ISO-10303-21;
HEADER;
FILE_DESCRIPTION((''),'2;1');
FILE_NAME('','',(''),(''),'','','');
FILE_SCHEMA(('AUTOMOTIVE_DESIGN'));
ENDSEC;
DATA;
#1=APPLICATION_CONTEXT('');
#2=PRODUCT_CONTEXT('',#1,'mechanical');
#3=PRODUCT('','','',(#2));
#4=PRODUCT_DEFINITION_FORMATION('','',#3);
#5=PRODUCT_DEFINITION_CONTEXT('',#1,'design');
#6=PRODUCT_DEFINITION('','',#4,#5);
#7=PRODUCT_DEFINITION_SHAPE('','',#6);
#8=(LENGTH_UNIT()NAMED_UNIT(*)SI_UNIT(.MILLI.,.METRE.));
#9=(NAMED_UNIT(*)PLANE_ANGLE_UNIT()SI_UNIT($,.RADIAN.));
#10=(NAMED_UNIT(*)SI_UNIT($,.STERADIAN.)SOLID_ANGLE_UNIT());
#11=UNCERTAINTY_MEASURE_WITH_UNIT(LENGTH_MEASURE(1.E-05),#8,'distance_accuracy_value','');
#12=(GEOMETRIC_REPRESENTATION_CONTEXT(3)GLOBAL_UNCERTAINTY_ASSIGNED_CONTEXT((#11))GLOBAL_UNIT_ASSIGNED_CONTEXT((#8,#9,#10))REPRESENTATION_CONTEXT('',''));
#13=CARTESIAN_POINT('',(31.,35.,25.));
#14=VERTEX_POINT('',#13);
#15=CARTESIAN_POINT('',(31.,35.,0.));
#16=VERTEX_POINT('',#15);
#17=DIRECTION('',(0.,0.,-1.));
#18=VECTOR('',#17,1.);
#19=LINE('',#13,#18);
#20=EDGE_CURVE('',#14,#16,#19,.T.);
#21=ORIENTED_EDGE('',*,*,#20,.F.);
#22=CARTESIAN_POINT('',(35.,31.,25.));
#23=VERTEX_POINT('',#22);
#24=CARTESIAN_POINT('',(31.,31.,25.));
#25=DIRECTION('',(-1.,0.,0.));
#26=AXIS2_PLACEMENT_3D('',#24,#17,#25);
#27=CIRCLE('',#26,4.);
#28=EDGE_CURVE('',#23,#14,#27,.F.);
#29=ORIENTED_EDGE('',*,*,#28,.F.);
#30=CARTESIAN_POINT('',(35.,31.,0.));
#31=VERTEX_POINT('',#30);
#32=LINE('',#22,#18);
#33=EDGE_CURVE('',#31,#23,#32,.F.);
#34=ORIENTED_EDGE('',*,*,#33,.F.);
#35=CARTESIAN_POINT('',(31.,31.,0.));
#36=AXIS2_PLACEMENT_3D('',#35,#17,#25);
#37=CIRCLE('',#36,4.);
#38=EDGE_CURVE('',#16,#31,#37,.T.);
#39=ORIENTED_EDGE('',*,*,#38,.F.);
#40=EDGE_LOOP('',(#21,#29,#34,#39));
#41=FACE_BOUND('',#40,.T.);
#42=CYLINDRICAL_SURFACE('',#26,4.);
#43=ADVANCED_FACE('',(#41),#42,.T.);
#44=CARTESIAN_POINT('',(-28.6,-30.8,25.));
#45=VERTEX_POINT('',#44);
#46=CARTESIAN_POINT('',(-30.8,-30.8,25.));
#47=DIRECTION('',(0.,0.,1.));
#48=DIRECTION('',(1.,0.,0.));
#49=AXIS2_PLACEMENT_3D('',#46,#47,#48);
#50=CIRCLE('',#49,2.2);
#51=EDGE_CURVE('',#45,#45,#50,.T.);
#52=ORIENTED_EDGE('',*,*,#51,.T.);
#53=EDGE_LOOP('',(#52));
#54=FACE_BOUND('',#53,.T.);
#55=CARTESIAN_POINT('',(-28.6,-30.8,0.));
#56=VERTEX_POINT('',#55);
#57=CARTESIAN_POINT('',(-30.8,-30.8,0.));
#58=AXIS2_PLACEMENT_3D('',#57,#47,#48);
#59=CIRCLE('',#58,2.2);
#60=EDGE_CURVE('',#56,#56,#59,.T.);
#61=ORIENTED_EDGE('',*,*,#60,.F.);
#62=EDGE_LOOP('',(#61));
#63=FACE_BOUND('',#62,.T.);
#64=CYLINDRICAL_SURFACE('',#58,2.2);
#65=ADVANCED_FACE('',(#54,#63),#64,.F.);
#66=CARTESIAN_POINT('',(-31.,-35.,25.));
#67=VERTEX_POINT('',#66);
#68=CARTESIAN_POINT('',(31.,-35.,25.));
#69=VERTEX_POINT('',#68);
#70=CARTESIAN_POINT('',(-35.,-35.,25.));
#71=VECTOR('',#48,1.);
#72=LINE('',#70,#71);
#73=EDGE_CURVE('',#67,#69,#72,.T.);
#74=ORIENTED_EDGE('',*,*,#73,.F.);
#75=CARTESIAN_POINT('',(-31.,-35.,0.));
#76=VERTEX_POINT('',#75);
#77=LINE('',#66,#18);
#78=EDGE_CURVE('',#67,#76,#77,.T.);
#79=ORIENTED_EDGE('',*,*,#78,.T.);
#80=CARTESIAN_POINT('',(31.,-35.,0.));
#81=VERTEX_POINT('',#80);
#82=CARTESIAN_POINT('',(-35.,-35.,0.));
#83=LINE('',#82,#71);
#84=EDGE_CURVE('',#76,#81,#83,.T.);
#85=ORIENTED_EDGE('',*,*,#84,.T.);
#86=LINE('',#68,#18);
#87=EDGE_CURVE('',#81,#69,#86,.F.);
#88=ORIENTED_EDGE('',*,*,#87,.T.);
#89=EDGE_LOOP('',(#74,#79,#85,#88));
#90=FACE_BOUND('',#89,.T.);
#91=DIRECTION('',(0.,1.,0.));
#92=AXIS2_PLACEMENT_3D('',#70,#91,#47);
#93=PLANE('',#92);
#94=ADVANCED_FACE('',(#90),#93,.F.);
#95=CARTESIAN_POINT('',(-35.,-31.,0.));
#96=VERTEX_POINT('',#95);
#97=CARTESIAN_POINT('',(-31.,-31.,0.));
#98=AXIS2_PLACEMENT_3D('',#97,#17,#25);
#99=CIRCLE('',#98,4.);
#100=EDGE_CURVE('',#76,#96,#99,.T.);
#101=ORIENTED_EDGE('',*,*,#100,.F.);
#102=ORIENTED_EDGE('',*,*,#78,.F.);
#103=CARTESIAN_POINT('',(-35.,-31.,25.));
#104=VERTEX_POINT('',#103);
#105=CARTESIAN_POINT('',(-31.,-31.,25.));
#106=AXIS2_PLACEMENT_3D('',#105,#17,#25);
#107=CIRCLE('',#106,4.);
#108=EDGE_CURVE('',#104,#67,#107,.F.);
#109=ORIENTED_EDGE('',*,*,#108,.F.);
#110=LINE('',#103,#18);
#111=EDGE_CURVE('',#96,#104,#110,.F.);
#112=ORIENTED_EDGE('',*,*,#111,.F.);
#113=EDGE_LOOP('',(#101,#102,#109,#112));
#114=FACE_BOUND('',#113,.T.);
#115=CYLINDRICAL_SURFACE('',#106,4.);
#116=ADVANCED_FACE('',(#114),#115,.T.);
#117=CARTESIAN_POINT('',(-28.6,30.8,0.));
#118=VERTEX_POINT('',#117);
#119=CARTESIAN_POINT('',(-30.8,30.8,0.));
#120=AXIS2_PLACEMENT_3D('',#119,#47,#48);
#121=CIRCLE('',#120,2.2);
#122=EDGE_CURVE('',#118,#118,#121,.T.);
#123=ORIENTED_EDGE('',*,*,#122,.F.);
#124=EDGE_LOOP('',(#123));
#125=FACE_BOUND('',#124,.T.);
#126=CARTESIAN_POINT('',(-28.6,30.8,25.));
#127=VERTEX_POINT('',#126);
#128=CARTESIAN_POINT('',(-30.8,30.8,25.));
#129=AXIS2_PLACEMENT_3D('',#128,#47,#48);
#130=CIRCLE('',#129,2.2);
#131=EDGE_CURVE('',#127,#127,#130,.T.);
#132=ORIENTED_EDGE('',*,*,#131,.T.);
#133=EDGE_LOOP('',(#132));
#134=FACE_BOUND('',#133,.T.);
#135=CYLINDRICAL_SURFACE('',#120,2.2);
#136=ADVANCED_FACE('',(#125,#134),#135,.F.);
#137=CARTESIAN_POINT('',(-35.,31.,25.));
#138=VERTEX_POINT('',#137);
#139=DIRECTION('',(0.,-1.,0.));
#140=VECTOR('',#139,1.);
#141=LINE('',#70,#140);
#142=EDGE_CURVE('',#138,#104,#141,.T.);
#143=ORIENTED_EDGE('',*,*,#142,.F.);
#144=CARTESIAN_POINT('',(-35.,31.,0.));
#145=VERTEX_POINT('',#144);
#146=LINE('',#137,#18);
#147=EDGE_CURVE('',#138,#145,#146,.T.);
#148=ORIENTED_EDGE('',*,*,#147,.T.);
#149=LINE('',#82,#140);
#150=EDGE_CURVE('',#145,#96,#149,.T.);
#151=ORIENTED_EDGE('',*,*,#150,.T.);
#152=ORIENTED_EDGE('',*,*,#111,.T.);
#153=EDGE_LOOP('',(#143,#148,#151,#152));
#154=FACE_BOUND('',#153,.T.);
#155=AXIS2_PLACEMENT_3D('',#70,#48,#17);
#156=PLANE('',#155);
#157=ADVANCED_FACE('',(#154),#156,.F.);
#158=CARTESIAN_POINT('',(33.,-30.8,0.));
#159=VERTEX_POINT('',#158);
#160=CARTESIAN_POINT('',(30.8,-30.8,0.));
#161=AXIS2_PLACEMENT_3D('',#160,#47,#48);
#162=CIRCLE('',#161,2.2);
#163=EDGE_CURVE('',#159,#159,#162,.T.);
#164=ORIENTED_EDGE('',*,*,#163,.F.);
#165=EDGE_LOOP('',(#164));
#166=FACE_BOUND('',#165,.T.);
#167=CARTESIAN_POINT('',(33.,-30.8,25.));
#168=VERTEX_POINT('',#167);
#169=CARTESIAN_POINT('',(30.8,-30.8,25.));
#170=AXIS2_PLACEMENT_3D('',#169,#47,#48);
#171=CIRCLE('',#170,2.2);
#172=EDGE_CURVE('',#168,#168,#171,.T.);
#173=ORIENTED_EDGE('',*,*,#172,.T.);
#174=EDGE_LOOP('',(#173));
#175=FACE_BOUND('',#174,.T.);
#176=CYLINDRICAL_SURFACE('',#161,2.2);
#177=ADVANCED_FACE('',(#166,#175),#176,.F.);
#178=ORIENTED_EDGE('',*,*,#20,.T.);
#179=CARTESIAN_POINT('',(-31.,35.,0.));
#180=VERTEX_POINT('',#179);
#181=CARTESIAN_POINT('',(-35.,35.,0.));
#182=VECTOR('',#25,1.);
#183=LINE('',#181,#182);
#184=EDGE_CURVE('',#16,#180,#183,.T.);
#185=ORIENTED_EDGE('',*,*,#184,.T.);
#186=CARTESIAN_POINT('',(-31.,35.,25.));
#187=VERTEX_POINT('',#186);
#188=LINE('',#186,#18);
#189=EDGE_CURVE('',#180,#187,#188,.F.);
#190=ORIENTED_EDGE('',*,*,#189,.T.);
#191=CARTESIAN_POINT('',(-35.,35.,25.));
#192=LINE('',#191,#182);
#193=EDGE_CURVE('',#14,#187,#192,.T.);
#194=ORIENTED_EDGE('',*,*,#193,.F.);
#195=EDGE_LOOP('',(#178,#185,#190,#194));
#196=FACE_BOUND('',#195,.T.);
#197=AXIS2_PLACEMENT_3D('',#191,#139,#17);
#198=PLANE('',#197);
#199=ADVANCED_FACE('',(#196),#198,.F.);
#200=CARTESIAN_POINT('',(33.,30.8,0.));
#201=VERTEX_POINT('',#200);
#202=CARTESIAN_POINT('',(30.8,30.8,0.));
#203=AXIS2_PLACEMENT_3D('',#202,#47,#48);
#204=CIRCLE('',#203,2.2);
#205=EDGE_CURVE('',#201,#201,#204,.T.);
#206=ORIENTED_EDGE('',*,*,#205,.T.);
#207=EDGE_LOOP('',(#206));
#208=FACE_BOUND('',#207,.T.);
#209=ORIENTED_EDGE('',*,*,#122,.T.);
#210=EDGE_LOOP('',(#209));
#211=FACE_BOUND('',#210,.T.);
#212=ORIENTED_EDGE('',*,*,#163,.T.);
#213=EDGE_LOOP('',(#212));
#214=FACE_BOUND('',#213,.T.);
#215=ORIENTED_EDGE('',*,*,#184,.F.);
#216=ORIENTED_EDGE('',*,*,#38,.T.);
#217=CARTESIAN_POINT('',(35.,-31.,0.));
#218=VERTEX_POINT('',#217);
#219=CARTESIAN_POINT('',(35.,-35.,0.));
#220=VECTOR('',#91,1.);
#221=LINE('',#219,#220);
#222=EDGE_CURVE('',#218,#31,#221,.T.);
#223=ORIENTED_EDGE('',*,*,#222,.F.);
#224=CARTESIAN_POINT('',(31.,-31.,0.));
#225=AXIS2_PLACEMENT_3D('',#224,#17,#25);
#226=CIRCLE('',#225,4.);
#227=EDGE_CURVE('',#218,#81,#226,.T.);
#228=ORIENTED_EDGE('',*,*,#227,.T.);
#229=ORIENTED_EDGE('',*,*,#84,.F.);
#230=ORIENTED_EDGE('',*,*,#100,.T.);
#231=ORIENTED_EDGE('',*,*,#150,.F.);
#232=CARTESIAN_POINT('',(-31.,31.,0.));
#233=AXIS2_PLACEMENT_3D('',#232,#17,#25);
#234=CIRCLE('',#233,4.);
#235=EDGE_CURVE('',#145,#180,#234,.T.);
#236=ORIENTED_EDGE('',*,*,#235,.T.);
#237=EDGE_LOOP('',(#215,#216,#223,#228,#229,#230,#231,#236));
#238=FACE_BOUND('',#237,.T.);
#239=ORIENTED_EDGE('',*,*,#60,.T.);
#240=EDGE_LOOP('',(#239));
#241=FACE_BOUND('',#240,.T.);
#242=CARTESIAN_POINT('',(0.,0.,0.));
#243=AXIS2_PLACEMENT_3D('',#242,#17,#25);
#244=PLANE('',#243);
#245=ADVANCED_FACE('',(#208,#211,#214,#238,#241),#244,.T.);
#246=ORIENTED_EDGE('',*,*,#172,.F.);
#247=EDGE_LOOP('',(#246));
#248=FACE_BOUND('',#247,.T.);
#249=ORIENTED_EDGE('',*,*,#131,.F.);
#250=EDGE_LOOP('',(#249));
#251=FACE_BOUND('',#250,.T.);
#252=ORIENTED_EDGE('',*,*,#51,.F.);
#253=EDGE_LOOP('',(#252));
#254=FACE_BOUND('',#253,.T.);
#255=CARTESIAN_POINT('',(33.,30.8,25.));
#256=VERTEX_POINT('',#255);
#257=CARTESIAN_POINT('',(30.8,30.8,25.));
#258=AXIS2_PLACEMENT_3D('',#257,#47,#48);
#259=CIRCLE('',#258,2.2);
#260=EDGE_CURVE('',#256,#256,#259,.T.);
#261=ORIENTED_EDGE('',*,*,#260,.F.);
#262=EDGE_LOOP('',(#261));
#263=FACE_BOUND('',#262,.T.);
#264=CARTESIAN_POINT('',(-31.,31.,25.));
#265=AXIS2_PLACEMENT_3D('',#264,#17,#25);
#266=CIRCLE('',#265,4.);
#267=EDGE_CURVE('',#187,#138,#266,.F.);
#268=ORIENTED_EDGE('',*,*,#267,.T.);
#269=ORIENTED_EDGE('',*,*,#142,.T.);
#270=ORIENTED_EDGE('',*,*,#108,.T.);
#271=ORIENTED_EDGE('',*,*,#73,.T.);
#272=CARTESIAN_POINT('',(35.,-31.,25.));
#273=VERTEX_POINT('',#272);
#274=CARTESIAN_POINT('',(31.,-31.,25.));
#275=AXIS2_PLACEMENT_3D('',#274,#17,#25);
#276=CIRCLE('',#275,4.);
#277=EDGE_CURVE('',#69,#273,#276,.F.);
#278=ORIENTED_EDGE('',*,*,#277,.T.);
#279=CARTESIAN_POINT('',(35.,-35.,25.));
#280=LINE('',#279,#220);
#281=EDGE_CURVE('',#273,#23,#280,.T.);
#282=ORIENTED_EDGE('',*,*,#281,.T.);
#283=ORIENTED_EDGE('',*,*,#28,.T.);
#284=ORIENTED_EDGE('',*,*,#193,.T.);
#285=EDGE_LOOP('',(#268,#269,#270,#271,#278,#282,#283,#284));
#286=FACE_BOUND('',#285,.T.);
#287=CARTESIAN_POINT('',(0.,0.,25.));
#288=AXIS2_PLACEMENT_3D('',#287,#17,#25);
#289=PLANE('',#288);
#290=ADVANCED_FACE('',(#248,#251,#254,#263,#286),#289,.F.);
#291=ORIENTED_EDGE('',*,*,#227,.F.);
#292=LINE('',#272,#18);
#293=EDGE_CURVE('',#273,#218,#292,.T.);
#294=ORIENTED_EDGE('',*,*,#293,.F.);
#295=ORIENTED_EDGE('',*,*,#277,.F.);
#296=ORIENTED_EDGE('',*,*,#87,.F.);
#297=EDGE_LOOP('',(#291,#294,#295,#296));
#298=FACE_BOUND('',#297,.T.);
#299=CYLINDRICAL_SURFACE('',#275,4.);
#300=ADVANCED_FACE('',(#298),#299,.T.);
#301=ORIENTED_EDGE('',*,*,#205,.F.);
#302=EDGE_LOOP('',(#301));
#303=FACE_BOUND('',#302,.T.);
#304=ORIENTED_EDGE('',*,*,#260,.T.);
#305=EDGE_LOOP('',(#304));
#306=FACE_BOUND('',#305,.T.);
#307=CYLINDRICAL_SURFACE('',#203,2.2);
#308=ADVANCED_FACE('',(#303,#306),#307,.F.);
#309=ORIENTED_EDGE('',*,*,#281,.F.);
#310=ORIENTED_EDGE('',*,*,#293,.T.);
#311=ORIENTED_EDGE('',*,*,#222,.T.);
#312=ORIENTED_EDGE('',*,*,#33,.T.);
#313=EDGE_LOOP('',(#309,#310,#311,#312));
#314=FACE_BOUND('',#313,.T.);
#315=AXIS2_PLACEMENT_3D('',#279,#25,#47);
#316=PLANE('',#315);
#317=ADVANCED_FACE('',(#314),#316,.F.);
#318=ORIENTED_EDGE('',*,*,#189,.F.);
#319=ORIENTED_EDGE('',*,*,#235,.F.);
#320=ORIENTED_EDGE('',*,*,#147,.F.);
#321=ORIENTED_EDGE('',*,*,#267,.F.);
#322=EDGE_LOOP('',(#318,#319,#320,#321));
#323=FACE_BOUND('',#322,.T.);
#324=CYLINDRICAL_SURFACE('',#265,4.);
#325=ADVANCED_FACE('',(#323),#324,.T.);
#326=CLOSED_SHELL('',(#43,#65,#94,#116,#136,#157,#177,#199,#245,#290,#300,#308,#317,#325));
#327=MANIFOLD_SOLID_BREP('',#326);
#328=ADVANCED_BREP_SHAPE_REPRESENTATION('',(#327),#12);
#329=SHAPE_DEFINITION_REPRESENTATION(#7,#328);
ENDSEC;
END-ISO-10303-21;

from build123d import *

# Parameters (mm, degrees)
SKETCH1_W           = 70
SKETCH1_H           = 70
BOSS_EXTRUDE1_DEPTH = 25
SKETCH2_R           = 2.2
CUT_EXTRUDE1_DEPTH  = 56.452682532
FILLET1_R           = 4


with BuildPart() as part:
    # Sketch1 → Boss-Extrude1 (new body)
    with BuildSketch(Plane.XY):
        Rectangle(SKETCH1_W, SKETCH1_H)
    extrude(amount=BOSS_EXTRUDE1_DEPTH)

    # Sketch2 → Cut-Extrude1 (cut, through all)
    with BuildSketch(Plane.XY.offset(25)):
        with Locations((-30.8, 30.8)):
            Circle(SKETCH2_R)
        with Locations((30.8, 30.8)):
            Circle(SKETCH2_R)
        with Locations((30.8, -30.8)):
            Circle(SKETCH2_R)
        with Locations((-30.8, -30.8)):
            Circle(SKETCH2_R)
    extrude(amount=-CUT_EXTRUDE1_DEPTH, mode=Mode.SUBTRACT)

    # Fillet1
    fillet1_edges = [part.edges().sort_by_distance(p)[0] for p in [
        (35, -35, 12.5),
        (-35, -35, 12.5),
        (-35, 35, 12.5),
        (35, 35, 12.5),
    ]]
    fillet(fillet1_edges, radius=FILLET1_R)


solid = part.part
